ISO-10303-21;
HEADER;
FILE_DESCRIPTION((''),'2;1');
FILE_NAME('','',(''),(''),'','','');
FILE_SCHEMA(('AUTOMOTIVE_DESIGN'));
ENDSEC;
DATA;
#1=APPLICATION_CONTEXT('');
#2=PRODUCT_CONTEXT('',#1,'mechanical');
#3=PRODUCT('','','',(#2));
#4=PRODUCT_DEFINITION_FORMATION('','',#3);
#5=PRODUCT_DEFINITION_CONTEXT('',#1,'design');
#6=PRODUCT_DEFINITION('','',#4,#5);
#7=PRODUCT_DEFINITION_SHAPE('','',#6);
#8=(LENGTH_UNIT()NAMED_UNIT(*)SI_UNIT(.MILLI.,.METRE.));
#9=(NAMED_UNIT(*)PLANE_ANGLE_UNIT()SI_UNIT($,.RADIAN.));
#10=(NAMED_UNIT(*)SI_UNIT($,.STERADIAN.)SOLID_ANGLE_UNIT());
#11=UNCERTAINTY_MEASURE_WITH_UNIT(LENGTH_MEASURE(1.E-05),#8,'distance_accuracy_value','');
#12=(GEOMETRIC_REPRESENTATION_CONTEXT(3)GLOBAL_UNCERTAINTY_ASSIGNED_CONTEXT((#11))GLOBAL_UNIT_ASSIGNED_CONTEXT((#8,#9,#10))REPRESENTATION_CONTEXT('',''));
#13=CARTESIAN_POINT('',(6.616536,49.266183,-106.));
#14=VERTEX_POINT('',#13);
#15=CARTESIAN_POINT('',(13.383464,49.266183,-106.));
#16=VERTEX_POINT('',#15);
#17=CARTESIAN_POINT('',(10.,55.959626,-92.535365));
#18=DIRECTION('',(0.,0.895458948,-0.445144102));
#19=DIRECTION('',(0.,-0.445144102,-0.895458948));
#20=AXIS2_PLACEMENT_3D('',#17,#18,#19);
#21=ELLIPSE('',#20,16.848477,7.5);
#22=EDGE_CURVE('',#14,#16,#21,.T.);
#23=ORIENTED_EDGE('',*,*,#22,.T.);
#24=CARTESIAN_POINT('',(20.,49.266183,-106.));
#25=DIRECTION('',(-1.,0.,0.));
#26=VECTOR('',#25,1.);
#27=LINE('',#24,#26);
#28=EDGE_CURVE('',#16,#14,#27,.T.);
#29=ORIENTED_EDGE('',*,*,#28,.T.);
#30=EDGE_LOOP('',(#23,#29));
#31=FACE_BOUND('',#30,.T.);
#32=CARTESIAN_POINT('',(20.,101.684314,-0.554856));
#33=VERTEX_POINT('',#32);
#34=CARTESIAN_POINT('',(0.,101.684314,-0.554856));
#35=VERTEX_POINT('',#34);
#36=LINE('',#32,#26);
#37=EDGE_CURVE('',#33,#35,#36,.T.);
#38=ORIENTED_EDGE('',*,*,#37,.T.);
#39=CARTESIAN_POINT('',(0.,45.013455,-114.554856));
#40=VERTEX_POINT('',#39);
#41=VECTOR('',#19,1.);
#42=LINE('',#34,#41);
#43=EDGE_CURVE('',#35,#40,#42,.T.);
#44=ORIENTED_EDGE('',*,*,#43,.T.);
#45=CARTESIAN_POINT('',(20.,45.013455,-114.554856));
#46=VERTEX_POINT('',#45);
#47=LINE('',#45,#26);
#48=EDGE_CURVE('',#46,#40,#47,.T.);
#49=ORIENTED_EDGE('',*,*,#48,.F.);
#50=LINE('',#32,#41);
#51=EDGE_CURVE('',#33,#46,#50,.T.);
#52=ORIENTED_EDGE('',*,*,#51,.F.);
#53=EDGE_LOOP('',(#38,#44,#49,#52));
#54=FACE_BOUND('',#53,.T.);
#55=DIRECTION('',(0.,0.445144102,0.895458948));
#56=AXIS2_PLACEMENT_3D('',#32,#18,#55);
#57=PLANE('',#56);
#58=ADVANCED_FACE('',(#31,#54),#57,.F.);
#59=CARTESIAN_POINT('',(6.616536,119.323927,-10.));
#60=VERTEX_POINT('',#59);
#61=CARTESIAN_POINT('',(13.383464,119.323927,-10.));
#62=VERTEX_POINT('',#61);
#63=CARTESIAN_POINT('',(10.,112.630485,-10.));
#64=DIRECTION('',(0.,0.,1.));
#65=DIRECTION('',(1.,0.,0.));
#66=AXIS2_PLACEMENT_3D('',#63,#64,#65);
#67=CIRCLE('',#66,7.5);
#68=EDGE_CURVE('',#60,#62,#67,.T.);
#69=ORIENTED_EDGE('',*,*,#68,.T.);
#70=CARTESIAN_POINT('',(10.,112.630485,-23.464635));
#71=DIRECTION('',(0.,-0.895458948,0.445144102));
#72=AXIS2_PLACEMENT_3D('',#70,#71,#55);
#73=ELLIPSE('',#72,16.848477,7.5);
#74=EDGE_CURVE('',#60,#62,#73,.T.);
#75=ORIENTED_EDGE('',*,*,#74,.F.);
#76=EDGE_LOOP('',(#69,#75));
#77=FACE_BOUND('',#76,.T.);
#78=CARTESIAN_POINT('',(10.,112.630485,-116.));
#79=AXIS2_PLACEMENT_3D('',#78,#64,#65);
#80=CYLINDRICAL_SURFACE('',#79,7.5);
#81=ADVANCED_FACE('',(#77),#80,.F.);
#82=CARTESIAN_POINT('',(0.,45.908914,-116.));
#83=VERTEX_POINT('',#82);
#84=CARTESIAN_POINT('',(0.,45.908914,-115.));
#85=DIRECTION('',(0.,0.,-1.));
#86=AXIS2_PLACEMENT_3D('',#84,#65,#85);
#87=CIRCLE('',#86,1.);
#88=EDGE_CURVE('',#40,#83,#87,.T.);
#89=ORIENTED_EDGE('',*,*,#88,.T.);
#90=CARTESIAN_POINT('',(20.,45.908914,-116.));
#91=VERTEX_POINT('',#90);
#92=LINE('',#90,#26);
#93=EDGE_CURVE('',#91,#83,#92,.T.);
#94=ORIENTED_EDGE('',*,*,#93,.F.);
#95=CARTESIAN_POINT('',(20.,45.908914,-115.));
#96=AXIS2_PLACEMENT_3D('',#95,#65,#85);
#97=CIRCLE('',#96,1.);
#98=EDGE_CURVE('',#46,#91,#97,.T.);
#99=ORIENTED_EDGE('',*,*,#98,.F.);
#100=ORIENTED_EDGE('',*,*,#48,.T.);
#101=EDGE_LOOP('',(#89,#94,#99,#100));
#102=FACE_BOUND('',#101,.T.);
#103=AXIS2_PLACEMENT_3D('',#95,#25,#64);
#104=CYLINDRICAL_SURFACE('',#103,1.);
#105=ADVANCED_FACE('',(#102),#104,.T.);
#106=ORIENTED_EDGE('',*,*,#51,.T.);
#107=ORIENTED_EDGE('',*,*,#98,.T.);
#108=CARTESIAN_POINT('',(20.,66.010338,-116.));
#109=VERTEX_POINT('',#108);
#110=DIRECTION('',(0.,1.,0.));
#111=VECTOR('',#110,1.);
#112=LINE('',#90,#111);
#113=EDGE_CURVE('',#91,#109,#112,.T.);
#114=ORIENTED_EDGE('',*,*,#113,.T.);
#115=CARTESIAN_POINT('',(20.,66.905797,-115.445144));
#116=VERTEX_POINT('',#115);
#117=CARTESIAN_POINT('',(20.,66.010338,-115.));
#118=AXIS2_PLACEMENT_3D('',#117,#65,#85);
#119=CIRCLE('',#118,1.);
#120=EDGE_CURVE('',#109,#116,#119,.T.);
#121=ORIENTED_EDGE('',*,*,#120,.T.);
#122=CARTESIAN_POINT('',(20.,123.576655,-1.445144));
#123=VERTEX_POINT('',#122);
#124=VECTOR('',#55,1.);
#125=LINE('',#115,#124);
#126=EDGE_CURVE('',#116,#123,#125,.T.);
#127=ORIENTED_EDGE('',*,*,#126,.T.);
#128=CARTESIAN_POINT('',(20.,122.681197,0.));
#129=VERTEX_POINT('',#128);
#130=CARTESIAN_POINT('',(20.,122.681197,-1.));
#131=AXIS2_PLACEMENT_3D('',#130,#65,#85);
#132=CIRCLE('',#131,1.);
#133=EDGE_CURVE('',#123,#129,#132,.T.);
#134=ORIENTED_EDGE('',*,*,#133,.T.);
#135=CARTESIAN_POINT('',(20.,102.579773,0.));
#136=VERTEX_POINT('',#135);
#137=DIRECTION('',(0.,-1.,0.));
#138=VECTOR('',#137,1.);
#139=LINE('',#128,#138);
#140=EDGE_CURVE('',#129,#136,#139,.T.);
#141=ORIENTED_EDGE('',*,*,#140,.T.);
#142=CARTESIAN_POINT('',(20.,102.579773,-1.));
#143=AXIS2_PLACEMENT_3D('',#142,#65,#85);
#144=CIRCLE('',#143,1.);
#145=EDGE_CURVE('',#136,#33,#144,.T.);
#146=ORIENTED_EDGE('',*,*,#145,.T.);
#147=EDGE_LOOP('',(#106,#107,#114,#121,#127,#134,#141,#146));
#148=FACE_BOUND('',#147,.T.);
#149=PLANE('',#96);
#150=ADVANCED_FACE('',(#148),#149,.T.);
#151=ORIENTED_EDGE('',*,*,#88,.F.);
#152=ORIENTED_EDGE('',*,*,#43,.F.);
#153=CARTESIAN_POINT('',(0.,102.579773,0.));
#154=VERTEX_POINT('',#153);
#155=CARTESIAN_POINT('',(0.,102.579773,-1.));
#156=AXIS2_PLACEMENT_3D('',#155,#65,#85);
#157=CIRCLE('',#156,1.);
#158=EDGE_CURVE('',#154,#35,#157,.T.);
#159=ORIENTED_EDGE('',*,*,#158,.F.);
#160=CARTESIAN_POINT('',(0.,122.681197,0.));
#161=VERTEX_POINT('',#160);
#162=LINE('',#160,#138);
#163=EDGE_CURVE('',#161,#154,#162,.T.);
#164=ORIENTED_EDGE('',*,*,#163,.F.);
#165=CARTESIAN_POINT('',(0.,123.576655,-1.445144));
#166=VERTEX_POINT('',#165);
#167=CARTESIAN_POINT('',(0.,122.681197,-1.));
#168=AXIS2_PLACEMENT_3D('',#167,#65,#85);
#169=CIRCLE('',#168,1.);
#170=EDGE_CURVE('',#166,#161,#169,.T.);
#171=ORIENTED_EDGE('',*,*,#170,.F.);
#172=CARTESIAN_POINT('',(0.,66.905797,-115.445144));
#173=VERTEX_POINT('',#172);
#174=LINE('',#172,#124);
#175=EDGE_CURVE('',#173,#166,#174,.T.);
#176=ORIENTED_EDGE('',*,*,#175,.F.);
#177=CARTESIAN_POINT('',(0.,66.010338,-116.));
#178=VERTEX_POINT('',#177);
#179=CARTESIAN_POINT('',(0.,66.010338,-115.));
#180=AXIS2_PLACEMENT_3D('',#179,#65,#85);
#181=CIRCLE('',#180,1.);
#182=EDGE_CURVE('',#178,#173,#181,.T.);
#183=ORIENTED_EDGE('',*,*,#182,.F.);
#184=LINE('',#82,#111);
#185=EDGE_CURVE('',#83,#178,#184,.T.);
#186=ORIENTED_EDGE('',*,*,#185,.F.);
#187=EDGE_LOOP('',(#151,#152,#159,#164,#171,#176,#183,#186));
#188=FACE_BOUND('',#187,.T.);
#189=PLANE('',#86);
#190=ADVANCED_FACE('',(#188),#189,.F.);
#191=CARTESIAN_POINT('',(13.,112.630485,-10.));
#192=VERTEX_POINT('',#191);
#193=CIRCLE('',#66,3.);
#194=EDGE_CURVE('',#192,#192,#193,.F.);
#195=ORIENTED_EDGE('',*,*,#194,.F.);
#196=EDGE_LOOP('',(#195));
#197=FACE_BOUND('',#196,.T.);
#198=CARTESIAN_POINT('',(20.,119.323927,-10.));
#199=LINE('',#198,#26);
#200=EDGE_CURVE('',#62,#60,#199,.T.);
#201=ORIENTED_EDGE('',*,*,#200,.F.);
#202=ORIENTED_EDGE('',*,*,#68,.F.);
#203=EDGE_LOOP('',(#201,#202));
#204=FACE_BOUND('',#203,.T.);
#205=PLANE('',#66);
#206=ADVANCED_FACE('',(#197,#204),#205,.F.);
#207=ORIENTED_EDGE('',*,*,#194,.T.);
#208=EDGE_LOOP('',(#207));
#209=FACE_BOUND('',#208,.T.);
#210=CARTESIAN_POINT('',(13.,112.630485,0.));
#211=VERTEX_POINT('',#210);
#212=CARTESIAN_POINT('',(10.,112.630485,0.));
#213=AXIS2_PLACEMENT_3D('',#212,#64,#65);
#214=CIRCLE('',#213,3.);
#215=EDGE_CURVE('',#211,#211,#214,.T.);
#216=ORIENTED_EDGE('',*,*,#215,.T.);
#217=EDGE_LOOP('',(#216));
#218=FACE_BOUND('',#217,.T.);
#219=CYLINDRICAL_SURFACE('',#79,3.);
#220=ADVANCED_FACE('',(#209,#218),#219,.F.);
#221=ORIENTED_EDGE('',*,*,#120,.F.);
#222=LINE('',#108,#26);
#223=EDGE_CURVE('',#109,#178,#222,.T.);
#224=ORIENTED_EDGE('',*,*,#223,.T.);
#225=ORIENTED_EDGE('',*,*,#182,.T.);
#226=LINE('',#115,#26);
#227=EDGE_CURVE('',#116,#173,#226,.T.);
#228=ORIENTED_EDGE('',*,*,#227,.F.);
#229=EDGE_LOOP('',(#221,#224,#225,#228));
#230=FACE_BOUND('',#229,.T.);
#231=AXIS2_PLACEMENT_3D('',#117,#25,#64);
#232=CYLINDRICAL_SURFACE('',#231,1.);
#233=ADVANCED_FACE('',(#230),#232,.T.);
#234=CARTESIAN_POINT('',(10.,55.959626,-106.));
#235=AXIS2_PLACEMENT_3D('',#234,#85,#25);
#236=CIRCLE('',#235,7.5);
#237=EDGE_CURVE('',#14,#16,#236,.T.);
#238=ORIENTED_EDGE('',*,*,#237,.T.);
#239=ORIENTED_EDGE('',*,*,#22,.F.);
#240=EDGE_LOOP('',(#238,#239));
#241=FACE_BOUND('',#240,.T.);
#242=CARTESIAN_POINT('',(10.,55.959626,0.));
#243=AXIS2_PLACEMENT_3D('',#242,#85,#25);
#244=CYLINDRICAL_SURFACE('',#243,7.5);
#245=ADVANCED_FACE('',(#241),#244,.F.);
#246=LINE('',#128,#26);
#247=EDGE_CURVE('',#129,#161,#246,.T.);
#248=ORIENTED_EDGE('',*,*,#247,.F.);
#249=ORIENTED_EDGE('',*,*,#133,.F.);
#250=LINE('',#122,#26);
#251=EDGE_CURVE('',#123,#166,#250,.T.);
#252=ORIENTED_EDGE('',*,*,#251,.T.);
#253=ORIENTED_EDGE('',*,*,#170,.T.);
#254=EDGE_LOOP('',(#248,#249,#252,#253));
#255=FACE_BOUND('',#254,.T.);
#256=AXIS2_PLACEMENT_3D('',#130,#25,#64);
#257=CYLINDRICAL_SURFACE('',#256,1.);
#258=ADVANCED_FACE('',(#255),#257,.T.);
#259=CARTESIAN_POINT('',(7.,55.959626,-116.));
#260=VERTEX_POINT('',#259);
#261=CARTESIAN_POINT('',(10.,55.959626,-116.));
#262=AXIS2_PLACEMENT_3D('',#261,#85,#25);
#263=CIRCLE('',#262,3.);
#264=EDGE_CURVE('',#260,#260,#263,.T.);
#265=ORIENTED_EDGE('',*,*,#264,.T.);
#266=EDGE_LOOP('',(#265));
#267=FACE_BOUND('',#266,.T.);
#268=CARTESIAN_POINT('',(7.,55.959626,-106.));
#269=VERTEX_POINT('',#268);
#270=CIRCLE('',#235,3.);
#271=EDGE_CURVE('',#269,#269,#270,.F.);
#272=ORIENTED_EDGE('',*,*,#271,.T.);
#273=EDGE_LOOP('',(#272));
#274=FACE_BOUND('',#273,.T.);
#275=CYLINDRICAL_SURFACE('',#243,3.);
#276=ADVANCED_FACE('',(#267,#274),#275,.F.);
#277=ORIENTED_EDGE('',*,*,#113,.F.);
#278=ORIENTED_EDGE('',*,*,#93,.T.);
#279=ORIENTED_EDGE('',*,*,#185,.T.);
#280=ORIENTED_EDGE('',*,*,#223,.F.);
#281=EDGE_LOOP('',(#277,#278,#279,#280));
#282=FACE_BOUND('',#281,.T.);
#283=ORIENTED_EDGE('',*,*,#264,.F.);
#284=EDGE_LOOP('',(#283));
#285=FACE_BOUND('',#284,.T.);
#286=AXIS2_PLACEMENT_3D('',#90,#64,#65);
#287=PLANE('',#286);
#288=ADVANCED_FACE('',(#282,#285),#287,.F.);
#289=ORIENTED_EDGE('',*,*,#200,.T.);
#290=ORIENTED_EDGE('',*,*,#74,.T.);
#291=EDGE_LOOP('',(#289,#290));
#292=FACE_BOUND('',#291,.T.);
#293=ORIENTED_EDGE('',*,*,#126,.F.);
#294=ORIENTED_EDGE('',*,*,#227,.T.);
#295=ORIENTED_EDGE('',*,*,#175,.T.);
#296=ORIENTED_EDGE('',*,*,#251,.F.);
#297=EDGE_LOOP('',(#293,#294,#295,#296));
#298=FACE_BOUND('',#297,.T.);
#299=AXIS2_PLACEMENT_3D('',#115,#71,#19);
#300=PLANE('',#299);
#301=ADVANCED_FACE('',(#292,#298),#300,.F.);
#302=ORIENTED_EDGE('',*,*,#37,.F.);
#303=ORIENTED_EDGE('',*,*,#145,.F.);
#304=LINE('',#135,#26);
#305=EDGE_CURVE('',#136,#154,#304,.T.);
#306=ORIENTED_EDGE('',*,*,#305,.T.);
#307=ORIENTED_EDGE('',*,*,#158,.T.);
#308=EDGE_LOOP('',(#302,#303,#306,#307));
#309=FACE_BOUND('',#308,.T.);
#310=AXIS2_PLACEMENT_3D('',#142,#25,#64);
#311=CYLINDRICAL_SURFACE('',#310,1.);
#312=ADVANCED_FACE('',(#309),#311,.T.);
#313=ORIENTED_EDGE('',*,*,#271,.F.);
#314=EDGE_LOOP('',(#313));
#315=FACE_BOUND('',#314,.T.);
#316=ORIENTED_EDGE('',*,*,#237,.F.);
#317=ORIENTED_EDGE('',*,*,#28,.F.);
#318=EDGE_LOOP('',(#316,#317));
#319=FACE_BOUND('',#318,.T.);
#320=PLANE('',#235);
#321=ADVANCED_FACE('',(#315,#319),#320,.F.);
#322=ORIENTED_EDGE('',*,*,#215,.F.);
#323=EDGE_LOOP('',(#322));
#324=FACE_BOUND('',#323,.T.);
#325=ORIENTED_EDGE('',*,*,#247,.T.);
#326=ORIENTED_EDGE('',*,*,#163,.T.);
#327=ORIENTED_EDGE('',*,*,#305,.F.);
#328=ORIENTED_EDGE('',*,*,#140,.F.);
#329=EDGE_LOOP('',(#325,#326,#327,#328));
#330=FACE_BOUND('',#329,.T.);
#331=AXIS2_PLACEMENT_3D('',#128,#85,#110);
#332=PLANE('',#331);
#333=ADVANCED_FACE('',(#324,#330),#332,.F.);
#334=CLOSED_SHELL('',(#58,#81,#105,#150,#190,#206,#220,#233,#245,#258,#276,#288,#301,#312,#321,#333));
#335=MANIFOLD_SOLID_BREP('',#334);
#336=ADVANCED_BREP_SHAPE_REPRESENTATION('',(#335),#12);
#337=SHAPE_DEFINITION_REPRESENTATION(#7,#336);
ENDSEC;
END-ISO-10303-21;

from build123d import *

# Parameters (mm, degrees)
BOSS_EXTRUDE1_DEPTH = 20
SKETCH2_R           = 3
CUT_EXTRUDE5_DEPTH  = 117
CUT_EXTRUDE6_START  = -10
SKETCH5_R           = 7.5
CUT_EXTRUDE6_DEPTH  = 107
SKETCH6_R           = 3
CUT_EXTRUDE7_DEPTH  = 117
CUT_EXTRUDE8_START  = -10
SKETCH7_R           = 7.5
CUT_EXTRUDE8_DEPTH  = 107


with BuildPart() as part:
    # Sketch1 → Boss-Extrude1 (new body)
    with BuildSketch(Plane(origin=(0, 0, 0), x_dir=(0, 0, -1), z_dir=(1, 0, 0))):
        with BuildLine():
            Line((0.554855898, 101.68431358), (114.554855898, 45.013454735))
            ThreePointArc((114.554855898, 45.013454735), (115.526714295, 45.058871302), (116, 45.908913684))
            Line((116, 45.908913684), (116, 66.010337689))
            ThreePointArc((116, 66.010337689), (115.850042382, 66.537051984), (115.445144102, 66.905796637))
            Line((115.445144102, 66.905796637), (1.445144102, 123.576655482))
            ThreePointArc((1.445144102, 123.576655482), (0.473285705, 123.531238916), (0, 122.681196534))
            Line((0, 122.681196534), (0, 102.579772529))
            ThreePointArc((0, 102.579772529), (0.149957618, 102.053058233), (0.554855898, 101.68431358))
        make_face()
    extrude(amount=BOSS_EXTRUDE1_DEPTH)

    # Sketch2 → Cut-Extrude5 (cut, through all)
    with BuildSketch(Plane.XY):
        with Locations((10, 112.630484531)):
            Circle(SKETCH2_R)
    extrude(amount=-CUT_EXTRUDE5_DEPTH, mode=Mode.SUBTRACT)

    # Sketch5 → Cut-Extrude6 (cut, through all)
    with BuildSketch(Plane.XY.offset(CUT_EXTRUDE6_START)):
        with Locations((10, 112.630484531)):
            Circle(SKETCH5_R)
    extrude(amount=-CUT_EXTRUDE6_DEPTH, mode=Mode.SUBTRACT)

    # Sketch6 → Cut-Extrude7 (cut, through all)
    with BuildSketch(Plane(origin=(0, 0, -116), x_dir=(-1, 0, 0), z_dir=(0, 0, -1))):
        with Locations((-10, 55.959625686)):
            Circle(SKETCH6_R)
    extrude(amount=-CUT_EXTRUDE7_DEPTH, mode=Mode.SUBTRACT)

    # Sketch7 → Cut-Extrude8 (cut, through all)
    with BuildSketch(Plane(origin=(0, 0, -116), x_dir=(-1, 0, 0), z_dir=(0, 0, -1)).offset(CUT_EXTRUDE8_START)):
        with Locations((-10, 55.959625686)):
            Circle(SKETCH7_R)
    extrude(amount=-CUT_EXTRUDE8_DEPTH, mode=Mode.SUBTRACT)


solid = part.part
